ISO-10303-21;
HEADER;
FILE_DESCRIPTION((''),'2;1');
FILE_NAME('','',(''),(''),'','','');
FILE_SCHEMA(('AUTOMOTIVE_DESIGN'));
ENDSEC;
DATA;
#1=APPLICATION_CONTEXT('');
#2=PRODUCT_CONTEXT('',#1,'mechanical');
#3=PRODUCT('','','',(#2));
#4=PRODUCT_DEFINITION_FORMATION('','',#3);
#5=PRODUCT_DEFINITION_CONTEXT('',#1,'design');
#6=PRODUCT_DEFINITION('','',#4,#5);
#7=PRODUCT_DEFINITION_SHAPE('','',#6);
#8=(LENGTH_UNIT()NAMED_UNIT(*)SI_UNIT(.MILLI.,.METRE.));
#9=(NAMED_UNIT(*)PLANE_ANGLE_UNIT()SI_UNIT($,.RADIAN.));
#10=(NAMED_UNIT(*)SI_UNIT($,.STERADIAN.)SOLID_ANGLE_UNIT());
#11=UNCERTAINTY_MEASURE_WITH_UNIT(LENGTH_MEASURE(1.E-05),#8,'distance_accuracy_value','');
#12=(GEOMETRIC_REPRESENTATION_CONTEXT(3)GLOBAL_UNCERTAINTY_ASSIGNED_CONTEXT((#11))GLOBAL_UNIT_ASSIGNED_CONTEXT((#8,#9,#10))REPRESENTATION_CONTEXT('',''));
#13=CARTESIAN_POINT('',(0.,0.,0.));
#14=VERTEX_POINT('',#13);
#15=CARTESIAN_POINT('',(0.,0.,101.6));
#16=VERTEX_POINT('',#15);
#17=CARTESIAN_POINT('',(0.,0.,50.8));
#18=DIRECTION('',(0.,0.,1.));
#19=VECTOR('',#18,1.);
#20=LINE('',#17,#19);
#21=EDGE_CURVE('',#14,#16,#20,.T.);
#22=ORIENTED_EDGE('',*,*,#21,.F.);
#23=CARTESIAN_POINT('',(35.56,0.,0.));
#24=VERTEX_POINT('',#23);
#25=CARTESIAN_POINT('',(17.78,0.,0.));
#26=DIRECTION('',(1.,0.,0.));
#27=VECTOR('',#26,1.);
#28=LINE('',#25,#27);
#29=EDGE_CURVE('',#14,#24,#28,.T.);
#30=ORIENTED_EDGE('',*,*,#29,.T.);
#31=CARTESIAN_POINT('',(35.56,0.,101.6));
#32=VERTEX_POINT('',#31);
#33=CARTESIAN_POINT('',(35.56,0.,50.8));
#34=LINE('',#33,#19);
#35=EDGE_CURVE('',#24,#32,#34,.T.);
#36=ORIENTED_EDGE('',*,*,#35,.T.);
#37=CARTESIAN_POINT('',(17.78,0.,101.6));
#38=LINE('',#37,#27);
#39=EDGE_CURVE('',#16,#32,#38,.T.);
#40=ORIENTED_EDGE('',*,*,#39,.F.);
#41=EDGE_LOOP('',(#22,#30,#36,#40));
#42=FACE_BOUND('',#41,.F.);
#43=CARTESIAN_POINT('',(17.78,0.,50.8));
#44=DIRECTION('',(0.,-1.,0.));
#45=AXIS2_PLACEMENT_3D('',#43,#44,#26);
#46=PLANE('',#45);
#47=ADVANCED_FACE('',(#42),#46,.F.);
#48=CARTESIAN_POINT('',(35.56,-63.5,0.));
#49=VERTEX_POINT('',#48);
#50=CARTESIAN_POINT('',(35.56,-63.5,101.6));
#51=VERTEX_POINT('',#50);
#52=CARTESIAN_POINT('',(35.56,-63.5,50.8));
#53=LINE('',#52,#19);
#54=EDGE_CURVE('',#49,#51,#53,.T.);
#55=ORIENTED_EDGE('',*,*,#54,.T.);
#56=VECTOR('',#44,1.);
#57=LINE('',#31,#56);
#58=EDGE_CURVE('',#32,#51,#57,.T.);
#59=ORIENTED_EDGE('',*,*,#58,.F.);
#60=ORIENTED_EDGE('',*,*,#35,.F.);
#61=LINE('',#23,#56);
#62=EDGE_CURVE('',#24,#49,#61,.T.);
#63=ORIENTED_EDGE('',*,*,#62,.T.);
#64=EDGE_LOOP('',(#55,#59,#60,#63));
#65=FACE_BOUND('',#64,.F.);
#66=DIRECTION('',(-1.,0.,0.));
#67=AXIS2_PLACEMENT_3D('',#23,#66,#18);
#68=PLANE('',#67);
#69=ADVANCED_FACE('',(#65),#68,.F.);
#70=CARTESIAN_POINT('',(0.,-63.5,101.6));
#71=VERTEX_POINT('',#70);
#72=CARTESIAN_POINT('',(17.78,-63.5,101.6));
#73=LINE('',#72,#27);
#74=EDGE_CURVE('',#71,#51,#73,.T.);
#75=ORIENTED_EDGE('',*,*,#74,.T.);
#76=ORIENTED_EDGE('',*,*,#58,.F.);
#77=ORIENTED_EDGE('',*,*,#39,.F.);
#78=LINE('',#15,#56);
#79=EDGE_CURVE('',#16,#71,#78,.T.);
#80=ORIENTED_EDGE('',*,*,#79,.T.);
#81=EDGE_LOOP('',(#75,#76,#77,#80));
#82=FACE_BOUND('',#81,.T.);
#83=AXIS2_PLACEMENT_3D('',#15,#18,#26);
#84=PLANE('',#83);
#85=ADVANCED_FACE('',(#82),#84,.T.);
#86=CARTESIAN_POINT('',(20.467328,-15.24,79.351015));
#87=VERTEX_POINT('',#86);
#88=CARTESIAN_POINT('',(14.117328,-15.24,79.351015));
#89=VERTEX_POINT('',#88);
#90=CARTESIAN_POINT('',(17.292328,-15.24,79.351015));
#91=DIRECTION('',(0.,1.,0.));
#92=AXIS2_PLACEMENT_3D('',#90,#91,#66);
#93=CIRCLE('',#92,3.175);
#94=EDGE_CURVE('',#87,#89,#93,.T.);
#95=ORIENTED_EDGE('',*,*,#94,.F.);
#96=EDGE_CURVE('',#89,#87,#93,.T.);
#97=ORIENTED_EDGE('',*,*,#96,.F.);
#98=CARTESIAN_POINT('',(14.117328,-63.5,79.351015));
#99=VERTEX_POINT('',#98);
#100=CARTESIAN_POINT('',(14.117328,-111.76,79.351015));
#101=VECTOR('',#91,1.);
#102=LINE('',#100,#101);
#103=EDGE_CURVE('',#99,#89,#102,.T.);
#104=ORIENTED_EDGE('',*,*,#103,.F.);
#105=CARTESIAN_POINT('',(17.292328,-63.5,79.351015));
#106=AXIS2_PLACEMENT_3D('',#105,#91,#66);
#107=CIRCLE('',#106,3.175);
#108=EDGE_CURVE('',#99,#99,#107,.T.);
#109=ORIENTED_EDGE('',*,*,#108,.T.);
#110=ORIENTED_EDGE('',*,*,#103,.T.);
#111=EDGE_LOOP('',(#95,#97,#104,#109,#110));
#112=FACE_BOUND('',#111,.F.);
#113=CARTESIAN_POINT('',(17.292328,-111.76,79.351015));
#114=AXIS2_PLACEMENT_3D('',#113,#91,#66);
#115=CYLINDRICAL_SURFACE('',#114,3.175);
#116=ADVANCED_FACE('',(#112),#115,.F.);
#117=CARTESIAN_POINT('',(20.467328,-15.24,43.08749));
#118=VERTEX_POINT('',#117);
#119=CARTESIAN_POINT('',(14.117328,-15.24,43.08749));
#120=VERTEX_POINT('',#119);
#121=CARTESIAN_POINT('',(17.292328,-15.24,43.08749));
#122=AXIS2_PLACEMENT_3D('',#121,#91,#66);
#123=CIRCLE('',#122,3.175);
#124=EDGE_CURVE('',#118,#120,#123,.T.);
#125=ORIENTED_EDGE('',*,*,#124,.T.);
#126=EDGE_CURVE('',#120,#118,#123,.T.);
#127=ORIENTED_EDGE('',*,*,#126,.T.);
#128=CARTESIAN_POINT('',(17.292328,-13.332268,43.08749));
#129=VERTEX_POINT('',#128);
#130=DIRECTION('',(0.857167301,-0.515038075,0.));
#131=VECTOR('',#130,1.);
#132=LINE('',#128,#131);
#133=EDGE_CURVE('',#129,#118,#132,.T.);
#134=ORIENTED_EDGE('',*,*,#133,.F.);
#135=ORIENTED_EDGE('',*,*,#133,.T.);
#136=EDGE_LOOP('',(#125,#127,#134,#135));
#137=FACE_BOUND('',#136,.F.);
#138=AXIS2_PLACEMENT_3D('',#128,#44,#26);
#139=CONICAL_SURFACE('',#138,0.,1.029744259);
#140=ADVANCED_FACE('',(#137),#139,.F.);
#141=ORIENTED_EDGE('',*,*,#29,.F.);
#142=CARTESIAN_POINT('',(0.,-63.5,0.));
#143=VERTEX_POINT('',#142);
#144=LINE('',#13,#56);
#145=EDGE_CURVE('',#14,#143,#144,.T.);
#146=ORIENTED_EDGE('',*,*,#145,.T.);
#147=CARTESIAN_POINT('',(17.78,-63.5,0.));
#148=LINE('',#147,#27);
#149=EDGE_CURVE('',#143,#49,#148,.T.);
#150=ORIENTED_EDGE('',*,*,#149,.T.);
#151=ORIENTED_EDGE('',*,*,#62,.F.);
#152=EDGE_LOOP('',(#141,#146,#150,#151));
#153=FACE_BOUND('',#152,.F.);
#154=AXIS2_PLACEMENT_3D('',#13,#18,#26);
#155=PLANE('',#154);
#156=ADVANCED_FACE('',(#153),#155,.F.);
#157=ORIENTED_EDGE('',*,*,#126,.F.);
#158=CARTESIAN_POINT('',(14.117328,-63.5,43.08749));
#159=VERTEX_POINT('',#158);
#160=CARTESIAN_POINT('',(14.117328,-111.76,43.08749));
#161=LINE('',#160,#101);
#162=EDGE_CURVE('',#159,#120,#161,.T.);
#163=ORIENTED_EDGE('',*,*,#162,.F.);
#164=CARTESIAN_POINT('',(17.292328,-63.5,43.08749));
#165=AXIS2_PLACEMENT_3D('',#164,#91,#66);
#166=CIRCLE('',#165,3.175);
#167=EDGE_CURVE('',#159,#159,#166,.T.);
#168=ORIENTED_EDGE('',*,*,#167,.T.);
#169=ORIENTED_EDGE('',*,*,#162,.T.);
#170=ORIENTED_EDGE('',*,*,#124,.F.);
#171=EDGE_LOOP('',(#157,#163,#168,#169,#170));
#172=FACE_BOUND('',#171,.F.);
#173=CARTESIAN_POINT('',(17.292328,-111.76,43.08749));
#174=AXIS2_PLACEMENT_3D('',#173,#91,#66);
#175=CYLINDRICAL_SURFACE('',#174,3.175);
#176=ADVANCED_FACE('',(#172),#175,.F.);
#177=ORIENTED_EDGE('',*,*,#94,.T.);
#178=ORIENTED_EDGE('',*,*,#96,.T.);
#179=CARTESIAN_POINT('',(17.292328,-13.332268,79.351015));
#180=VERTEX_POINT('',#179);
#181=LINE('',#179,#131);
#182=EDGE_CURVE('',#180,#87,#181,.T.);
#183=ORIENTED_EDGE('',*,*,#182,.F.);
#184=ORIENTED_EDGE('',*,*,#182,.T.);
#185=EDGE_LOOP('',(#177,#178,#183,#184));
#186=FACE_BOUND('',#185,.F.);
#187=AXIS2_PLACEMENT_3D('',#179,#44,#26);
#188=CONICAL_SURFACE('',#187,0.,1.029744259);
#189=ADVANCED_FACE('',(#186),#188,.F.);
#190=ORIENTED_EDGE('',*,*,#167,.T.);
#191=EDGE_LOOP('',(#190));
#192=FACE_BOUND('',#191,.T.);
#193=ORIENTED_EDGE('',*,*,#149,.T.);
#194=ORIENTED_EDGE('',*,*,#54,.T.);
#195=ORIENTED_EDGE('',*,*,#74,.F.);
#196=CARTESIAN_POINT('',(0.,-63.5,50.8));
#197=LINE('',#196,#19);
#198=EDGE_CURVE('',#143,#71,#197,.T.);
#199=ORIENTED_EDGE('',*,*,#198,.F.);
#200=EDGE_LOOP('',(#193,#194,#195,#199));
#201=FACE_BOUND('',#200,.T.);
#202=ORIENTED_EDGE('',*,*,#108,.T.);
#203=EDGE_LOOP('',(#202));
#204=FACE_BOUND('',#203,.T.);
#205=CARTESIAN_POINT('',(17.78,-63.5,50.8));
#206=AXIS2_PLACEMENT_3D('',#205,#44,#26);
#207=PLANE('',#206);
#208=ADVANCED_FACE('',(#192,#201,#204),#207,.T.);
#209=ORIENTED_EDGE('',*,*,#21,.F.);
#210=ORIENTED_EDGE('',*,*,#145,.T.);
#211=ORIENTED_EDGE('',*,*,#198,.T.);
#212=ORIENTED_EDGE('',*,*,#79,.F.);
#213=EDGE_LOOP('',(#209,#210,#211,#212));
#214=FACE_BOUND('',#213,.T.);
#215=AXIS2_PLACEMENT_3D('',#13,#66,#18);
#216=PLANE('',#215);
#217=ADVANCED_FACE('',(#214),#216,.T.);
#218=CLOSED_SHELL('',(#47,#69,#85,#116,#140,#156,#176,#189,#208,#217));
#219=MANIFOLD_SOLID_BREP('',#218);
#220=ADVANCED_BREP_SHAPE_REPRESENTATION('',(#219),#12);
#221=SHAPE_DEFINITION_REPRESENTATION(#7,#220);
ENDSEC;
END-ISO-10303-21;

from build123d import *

# Parameters (mm, degrees)
F0_W     = 35.56
F0_H     = 101.6
F1_DEPTH = 63.5
F3_D     = 6.35
F3_DEPTH = 48.26
F3_TIP   = 1.9077324654


with BuildPart() as f1:
    # F0 (on Front) → F1 (new body)
    with BuildSketch(Plane.XZ):
        with Locations((17.78, 50.8)):
            Rectangle(F0_W, F0_H)
    extrude(amount=F1_DEPTH)

    # F3
    with Locations(Plane.XZ.offset(63.5)):
        with Locations((17.2923281789, 43.087489903), (17.2923281789, 79.351015389)):
            Hole(F3_D / 2, depth=F3_DEPTH)
            with Locations((0, 0, -(F3_DEPTH + F3_TIP / 2))):  # 118° drill point
                Cone(0, F3_D / 2, F3_TIP, mode=Mode.SUBTRACT)


solid = f1.part
